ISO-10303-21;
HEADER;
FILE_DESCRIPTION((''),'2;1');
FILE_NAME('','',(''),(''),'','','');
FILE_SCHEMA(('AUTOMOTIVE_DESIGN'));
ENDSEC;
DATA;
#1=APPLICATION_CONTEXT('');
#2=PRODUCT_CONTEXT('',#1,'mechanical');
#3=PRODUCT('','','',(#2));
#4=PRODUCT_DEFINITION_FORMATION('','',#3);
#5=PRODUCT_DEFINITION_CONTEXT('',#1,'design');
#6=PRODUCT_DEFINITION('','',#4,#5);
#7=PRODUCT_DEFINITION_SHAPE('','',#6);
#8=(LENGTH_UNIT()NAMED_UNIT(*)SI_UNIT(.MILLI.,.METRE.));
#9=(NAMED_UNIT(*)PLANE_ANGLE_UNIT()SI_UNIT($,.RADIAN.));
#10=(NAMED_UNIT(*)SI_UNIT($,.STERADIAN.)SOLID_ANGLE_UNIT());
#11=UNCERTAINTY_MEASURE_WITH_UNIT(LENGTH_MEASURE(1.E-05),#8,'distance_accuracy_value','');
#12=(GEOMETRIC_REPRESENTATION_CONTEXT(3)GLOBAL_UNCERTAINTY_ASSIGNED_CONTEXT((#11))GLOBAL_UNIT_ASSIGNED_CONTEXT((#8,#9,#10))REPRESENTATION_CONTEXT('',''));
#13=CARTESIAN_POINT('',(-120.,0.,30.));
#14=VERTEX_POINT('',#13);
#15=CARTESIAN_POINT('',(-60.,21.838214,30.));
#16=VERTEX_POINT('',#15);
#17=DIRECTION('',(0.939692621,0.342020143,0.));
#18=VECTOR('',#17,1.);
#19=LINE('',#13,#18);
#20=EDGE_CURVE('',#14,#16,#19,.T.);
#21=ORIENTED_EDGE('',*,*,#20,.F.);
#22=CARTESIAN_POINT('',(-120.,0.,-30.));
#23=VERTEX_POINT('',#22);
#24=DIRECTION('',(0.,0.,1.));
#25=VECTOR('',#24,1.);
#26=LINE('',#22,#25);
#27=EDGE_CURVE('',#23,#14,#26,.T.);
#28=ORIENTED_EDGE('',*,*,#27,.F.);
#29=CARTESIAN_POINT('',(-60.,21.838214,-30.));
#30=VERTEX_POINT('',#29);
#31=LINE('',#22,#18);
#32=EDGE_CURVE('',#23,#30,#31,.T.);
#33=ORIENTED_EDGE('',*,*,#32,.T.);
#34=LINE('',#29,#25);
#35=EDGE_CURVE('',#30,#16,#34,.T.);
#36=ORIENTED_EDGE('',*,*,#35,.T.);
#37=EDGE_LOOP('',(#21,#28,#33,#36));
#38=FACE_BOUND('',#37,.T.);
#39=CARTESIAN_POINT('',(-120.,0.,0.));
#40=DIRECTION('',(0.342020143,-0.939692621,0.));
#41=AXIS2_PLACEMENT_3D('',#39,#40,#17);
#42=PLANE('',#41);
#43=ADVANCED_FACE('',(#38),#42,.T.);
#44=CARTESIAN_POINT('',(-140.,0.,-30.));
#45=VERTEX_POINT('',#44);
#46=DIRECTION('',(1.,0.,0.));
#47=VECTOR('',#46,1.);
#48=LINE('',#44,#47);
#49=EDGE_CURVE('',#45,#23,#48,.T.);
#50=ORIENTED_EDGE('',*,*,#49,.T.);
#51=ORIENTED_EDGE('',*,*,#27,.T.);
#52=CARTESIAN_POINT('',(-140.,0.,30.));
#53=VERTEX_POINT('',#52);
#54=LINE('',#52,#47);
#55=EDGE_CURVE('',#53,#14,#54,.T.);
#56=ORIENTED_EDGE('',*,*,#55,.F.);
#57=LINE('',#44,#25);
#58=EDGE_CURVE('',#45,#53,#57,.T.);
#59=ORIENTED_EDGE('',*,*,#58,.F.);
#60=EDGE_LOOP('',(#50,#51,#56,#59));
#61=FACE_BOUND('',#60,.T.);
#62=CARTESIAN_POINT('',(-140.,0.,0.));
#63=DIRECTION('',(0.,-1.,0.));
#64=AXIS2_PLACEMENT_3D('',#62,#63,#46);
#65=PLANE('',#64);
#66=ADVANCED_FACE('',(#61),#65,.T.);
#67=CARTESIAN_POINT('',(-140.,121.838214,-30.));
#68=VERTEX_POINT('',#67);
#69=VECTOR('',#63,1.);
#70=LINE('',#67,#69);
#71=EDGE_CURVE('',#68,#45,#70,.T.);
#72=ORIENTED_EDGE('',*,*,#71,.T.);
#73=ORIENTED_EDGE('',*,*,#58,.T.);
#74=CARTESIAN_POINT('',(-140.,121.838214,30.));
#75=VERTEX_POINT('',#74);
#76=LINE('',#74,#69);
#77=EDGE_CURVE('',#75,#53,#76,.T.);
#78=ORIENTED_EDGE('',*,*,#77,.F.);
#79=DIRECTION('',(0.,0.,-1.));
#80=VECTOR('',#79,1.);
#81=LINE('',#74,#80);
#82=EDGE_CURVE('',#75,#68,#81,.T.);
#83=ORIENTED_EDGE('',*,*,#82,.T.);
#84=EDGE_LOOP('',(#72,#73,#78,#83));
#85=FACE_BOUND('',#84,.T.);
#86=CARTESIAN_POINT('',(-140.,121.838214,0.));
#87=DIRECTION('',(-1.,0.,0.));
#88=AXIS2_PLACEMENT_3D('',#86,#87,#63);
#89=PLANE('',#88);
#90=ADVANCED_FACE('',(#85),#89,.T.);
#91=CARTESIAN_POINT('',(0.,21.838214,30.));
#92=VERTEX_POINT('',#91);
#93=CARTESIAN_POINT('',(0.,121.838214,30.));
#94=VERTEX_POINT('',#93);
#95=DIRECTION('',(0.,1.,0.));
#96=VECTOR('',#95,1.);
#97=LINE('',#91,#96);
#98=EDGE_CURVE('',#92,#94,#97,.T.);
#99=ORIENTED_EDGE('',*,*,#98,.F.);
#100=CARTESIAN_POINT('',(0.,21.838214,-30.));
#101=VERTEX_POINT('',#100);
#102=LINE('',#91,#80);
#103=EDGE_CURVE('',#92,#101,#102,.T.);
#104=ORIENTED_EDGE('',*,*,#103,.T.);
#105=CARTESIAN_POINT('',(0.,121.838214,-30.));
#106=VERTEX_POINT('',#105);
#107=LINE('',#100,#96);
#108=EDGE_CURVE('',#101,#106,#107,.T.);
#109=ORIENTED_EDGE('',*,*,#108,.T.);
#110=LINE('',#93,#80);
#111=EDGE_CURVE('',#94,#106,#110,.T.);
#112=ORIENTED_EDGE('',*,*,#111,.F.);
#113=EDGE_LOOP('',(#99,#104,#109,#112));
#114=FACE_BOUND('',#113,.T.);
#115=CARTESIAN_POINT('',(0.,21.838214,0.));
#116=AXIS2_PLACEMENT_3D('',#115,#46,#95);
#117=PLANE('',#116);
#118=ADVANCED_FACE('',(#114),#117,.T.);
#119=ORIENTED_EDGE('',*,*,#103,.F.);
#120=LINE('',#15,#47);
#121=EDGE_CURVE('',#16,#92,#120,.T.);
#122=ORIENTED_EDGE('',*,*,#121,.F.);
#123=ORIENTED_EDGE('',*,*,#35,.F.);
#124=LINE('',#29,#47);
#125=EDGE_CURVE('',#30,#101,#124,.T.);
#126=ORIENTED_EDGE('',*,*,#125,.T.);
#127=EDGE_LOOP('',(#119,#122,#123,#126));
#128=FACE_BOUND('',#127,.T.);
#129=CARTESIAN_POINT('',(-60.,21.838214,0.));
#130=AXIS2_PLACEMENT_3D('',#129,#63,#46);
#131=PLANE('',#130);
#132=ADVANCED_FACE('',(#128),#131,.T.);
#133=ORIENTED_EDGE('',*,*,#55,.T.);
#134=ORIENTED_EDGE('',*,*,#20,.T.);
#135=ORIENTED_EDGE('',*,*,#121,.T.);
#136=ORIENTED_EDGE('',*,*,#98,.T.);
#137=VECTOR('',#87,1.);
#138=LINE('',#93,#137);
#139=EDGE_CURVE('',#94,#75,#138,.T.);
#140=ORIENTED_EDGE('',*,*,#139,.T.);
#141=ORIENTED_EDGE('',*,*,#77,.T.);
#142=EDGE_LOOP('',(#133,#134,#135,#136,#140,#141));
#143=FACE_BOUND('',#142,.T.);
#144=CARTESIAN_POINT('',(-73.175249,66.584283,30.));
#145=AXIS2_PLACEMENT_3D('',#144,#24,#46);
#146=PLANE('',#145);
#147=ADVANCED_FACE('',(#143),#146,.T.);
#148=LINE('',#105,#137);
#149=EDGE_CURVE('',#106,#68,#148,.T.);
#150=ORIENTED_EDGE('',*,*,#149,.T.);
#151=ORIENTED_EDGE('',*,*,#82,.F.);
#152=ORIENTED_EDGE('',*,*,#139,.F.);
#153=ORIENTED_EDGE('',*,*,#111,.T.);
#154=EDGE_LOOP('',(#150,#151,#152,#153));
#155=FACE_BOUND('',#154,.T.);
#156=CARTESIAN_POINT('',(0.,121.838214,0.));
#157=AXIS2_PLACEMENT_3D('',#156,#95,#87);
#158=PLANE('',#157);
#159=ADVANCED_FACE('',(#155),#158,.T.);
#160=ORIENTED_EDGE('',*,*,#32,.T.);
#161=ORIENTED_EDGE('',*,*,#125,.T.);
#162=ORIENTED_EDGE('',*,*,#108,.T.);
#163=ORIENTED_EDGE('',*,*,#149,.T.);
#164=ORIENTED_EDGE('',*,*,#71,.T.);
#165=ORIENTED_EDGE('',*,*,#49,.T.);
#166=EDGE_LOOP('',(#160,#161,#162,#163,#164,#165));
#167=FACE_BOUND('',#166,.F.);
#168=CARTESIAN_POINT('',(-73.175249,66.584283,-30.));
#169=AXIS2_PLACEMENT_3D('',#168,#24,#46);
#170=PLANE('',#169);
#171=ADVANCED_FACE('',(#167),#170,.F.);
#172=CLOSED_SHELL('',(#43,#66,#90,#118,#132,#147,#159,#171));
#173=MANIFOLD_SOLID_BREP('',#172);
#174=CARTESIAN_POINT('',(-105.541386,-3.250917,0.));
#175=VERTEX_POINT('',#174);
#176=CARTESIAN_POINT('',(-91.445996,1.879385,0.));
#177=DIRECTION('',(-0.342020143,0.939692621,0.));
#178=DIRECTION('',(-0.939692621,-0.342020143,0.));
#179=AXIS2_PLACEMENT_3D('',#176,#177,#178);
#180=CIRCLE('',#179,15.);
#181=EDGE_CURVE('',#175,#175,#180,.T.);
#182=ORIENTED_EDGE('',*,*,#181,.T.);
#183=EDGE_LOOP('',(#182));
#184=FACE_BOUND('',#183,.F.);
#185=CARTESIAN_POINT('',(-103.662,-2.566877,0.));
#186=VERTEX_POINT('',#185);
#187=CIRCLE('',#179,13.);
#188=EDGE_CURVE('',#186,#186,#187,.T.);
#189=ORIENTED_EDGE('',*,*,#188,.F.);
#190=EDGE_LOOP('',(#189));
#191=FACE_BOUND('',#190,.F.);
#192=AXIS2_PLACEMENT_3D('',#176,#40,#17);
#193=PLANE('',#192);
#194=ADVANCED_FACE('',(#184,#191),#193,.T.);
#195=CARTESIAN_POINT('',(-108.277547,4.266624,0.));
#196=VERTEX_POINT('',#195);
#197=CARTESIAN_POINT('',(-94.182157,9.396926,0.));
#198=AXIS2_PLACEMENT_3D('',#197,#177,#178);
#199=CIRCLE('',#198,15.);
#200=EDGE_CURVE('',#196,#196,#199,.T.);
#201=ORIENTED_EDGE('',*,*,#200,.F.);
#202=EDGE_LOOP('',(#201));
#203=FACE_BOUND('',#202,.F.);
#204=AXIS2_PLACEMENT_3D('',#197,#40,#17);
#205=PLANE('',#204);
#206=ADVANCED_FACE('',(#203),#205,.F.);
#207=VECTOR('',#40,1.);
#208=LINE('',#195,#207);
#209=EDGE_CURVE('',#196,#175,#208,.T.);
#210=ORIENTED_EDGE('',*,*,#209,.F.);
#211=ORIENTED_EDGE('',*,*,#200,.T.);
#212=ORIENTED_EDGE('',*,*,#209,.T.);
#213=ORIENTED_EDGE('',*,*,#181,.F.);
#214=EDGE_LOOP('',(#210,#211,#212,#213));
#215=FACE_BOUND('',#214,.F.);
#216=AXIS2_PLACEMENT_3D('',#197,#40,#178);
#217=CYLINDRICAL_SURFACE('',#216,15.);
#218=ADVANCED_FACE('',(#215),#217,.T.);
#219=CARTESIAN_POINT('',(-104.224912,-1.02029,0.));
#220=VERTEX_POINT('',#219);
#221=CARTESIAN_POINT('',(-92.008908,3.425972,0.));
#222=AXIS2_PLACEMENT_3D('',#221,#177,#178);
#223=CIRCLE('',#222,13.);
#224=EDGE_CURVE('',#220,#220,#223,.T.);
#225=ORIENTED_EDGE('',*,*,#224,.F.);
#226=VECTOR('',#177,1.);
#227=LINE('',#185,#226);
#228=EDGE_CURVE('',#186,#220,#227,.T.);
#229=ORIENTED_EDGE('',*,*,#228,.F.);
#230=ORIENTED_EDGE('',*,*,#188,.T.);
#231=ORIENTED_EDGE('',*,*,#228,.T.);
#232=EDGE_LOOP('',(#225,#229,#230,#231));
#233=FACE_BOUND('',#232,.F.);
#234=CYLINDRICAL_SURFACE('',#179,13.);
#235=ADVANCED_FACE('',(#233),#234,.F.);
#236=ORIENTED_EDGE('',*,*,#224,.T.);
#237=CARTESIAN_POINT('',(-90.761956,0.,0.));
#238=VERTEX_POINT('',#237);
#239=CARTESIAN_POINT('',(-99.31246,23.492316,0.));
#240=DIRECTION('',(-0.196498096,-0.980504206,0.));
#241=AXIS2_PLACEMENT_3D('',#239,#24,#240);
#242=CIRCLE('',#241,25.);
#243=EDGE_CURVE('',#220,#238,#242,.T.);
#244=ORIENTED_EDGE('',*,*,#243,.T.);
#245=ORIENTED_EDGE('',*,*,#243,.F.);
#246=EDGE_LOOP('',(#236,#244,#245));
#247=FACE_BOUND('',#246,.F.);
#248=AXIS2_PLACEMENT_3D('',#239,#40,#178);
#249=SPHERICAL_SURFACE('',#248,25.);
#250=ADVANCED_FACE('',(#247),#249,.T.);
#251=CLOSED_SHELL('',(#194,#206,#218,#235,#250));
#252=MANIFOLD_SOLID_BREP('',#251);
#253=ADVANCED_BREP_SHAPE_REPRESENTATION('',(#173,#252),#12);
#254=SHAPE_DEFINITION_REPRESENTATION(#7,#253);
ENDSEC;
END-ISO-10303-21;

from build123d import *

# Parameters (mm, degrees)
F1_DEPTH = 30


with BuildPart() as f1:
    # F0 (on Top) → F1 (new body, symmetric)
    with BuildSketch(Plane.XY):
        Polygon((-140, 121.838214056), (-140, 0), (-120, 0), (-60, 21.838214056), (0, 21.838214056), (0, 121.838214056), align=None)
    extrude(amount=F1_DEPTH, both=True)


with BuildPart() as f3:
    # F2 (on Top) → F3 (revolve)
    with BuildSketch(Plane.XY):
        with BuildLine():
            Line((-94.1821574316, 9.3969262079), (-108.2775467434, 4.266624058))
            Line((-108.2775467434, 4.266624058), (-105.5413855968, -3.2509169083))
            Line((-105.5413855968, -3.2509169083), (-103.6620003552, -2.5668766217))
            Line((-103.6620003552, -2.5668766217), (-104.2249119836, -1.0202896336))
            ThreePointArc((-104.2249119836, -1.0202896336), (-97.4232529139, -1.4362002438), (-90.7619559984, 0))
            Line((-90.7619559984, 0), (-94.1821574316, 9.3969262079))
        make_face()
    revolve(axis=Axis((-92.472056715, 4.6984631039, 0), (-0.3420201433, 0.9396926208, 0)))


solid = Compound([f1.part, f3.part])
